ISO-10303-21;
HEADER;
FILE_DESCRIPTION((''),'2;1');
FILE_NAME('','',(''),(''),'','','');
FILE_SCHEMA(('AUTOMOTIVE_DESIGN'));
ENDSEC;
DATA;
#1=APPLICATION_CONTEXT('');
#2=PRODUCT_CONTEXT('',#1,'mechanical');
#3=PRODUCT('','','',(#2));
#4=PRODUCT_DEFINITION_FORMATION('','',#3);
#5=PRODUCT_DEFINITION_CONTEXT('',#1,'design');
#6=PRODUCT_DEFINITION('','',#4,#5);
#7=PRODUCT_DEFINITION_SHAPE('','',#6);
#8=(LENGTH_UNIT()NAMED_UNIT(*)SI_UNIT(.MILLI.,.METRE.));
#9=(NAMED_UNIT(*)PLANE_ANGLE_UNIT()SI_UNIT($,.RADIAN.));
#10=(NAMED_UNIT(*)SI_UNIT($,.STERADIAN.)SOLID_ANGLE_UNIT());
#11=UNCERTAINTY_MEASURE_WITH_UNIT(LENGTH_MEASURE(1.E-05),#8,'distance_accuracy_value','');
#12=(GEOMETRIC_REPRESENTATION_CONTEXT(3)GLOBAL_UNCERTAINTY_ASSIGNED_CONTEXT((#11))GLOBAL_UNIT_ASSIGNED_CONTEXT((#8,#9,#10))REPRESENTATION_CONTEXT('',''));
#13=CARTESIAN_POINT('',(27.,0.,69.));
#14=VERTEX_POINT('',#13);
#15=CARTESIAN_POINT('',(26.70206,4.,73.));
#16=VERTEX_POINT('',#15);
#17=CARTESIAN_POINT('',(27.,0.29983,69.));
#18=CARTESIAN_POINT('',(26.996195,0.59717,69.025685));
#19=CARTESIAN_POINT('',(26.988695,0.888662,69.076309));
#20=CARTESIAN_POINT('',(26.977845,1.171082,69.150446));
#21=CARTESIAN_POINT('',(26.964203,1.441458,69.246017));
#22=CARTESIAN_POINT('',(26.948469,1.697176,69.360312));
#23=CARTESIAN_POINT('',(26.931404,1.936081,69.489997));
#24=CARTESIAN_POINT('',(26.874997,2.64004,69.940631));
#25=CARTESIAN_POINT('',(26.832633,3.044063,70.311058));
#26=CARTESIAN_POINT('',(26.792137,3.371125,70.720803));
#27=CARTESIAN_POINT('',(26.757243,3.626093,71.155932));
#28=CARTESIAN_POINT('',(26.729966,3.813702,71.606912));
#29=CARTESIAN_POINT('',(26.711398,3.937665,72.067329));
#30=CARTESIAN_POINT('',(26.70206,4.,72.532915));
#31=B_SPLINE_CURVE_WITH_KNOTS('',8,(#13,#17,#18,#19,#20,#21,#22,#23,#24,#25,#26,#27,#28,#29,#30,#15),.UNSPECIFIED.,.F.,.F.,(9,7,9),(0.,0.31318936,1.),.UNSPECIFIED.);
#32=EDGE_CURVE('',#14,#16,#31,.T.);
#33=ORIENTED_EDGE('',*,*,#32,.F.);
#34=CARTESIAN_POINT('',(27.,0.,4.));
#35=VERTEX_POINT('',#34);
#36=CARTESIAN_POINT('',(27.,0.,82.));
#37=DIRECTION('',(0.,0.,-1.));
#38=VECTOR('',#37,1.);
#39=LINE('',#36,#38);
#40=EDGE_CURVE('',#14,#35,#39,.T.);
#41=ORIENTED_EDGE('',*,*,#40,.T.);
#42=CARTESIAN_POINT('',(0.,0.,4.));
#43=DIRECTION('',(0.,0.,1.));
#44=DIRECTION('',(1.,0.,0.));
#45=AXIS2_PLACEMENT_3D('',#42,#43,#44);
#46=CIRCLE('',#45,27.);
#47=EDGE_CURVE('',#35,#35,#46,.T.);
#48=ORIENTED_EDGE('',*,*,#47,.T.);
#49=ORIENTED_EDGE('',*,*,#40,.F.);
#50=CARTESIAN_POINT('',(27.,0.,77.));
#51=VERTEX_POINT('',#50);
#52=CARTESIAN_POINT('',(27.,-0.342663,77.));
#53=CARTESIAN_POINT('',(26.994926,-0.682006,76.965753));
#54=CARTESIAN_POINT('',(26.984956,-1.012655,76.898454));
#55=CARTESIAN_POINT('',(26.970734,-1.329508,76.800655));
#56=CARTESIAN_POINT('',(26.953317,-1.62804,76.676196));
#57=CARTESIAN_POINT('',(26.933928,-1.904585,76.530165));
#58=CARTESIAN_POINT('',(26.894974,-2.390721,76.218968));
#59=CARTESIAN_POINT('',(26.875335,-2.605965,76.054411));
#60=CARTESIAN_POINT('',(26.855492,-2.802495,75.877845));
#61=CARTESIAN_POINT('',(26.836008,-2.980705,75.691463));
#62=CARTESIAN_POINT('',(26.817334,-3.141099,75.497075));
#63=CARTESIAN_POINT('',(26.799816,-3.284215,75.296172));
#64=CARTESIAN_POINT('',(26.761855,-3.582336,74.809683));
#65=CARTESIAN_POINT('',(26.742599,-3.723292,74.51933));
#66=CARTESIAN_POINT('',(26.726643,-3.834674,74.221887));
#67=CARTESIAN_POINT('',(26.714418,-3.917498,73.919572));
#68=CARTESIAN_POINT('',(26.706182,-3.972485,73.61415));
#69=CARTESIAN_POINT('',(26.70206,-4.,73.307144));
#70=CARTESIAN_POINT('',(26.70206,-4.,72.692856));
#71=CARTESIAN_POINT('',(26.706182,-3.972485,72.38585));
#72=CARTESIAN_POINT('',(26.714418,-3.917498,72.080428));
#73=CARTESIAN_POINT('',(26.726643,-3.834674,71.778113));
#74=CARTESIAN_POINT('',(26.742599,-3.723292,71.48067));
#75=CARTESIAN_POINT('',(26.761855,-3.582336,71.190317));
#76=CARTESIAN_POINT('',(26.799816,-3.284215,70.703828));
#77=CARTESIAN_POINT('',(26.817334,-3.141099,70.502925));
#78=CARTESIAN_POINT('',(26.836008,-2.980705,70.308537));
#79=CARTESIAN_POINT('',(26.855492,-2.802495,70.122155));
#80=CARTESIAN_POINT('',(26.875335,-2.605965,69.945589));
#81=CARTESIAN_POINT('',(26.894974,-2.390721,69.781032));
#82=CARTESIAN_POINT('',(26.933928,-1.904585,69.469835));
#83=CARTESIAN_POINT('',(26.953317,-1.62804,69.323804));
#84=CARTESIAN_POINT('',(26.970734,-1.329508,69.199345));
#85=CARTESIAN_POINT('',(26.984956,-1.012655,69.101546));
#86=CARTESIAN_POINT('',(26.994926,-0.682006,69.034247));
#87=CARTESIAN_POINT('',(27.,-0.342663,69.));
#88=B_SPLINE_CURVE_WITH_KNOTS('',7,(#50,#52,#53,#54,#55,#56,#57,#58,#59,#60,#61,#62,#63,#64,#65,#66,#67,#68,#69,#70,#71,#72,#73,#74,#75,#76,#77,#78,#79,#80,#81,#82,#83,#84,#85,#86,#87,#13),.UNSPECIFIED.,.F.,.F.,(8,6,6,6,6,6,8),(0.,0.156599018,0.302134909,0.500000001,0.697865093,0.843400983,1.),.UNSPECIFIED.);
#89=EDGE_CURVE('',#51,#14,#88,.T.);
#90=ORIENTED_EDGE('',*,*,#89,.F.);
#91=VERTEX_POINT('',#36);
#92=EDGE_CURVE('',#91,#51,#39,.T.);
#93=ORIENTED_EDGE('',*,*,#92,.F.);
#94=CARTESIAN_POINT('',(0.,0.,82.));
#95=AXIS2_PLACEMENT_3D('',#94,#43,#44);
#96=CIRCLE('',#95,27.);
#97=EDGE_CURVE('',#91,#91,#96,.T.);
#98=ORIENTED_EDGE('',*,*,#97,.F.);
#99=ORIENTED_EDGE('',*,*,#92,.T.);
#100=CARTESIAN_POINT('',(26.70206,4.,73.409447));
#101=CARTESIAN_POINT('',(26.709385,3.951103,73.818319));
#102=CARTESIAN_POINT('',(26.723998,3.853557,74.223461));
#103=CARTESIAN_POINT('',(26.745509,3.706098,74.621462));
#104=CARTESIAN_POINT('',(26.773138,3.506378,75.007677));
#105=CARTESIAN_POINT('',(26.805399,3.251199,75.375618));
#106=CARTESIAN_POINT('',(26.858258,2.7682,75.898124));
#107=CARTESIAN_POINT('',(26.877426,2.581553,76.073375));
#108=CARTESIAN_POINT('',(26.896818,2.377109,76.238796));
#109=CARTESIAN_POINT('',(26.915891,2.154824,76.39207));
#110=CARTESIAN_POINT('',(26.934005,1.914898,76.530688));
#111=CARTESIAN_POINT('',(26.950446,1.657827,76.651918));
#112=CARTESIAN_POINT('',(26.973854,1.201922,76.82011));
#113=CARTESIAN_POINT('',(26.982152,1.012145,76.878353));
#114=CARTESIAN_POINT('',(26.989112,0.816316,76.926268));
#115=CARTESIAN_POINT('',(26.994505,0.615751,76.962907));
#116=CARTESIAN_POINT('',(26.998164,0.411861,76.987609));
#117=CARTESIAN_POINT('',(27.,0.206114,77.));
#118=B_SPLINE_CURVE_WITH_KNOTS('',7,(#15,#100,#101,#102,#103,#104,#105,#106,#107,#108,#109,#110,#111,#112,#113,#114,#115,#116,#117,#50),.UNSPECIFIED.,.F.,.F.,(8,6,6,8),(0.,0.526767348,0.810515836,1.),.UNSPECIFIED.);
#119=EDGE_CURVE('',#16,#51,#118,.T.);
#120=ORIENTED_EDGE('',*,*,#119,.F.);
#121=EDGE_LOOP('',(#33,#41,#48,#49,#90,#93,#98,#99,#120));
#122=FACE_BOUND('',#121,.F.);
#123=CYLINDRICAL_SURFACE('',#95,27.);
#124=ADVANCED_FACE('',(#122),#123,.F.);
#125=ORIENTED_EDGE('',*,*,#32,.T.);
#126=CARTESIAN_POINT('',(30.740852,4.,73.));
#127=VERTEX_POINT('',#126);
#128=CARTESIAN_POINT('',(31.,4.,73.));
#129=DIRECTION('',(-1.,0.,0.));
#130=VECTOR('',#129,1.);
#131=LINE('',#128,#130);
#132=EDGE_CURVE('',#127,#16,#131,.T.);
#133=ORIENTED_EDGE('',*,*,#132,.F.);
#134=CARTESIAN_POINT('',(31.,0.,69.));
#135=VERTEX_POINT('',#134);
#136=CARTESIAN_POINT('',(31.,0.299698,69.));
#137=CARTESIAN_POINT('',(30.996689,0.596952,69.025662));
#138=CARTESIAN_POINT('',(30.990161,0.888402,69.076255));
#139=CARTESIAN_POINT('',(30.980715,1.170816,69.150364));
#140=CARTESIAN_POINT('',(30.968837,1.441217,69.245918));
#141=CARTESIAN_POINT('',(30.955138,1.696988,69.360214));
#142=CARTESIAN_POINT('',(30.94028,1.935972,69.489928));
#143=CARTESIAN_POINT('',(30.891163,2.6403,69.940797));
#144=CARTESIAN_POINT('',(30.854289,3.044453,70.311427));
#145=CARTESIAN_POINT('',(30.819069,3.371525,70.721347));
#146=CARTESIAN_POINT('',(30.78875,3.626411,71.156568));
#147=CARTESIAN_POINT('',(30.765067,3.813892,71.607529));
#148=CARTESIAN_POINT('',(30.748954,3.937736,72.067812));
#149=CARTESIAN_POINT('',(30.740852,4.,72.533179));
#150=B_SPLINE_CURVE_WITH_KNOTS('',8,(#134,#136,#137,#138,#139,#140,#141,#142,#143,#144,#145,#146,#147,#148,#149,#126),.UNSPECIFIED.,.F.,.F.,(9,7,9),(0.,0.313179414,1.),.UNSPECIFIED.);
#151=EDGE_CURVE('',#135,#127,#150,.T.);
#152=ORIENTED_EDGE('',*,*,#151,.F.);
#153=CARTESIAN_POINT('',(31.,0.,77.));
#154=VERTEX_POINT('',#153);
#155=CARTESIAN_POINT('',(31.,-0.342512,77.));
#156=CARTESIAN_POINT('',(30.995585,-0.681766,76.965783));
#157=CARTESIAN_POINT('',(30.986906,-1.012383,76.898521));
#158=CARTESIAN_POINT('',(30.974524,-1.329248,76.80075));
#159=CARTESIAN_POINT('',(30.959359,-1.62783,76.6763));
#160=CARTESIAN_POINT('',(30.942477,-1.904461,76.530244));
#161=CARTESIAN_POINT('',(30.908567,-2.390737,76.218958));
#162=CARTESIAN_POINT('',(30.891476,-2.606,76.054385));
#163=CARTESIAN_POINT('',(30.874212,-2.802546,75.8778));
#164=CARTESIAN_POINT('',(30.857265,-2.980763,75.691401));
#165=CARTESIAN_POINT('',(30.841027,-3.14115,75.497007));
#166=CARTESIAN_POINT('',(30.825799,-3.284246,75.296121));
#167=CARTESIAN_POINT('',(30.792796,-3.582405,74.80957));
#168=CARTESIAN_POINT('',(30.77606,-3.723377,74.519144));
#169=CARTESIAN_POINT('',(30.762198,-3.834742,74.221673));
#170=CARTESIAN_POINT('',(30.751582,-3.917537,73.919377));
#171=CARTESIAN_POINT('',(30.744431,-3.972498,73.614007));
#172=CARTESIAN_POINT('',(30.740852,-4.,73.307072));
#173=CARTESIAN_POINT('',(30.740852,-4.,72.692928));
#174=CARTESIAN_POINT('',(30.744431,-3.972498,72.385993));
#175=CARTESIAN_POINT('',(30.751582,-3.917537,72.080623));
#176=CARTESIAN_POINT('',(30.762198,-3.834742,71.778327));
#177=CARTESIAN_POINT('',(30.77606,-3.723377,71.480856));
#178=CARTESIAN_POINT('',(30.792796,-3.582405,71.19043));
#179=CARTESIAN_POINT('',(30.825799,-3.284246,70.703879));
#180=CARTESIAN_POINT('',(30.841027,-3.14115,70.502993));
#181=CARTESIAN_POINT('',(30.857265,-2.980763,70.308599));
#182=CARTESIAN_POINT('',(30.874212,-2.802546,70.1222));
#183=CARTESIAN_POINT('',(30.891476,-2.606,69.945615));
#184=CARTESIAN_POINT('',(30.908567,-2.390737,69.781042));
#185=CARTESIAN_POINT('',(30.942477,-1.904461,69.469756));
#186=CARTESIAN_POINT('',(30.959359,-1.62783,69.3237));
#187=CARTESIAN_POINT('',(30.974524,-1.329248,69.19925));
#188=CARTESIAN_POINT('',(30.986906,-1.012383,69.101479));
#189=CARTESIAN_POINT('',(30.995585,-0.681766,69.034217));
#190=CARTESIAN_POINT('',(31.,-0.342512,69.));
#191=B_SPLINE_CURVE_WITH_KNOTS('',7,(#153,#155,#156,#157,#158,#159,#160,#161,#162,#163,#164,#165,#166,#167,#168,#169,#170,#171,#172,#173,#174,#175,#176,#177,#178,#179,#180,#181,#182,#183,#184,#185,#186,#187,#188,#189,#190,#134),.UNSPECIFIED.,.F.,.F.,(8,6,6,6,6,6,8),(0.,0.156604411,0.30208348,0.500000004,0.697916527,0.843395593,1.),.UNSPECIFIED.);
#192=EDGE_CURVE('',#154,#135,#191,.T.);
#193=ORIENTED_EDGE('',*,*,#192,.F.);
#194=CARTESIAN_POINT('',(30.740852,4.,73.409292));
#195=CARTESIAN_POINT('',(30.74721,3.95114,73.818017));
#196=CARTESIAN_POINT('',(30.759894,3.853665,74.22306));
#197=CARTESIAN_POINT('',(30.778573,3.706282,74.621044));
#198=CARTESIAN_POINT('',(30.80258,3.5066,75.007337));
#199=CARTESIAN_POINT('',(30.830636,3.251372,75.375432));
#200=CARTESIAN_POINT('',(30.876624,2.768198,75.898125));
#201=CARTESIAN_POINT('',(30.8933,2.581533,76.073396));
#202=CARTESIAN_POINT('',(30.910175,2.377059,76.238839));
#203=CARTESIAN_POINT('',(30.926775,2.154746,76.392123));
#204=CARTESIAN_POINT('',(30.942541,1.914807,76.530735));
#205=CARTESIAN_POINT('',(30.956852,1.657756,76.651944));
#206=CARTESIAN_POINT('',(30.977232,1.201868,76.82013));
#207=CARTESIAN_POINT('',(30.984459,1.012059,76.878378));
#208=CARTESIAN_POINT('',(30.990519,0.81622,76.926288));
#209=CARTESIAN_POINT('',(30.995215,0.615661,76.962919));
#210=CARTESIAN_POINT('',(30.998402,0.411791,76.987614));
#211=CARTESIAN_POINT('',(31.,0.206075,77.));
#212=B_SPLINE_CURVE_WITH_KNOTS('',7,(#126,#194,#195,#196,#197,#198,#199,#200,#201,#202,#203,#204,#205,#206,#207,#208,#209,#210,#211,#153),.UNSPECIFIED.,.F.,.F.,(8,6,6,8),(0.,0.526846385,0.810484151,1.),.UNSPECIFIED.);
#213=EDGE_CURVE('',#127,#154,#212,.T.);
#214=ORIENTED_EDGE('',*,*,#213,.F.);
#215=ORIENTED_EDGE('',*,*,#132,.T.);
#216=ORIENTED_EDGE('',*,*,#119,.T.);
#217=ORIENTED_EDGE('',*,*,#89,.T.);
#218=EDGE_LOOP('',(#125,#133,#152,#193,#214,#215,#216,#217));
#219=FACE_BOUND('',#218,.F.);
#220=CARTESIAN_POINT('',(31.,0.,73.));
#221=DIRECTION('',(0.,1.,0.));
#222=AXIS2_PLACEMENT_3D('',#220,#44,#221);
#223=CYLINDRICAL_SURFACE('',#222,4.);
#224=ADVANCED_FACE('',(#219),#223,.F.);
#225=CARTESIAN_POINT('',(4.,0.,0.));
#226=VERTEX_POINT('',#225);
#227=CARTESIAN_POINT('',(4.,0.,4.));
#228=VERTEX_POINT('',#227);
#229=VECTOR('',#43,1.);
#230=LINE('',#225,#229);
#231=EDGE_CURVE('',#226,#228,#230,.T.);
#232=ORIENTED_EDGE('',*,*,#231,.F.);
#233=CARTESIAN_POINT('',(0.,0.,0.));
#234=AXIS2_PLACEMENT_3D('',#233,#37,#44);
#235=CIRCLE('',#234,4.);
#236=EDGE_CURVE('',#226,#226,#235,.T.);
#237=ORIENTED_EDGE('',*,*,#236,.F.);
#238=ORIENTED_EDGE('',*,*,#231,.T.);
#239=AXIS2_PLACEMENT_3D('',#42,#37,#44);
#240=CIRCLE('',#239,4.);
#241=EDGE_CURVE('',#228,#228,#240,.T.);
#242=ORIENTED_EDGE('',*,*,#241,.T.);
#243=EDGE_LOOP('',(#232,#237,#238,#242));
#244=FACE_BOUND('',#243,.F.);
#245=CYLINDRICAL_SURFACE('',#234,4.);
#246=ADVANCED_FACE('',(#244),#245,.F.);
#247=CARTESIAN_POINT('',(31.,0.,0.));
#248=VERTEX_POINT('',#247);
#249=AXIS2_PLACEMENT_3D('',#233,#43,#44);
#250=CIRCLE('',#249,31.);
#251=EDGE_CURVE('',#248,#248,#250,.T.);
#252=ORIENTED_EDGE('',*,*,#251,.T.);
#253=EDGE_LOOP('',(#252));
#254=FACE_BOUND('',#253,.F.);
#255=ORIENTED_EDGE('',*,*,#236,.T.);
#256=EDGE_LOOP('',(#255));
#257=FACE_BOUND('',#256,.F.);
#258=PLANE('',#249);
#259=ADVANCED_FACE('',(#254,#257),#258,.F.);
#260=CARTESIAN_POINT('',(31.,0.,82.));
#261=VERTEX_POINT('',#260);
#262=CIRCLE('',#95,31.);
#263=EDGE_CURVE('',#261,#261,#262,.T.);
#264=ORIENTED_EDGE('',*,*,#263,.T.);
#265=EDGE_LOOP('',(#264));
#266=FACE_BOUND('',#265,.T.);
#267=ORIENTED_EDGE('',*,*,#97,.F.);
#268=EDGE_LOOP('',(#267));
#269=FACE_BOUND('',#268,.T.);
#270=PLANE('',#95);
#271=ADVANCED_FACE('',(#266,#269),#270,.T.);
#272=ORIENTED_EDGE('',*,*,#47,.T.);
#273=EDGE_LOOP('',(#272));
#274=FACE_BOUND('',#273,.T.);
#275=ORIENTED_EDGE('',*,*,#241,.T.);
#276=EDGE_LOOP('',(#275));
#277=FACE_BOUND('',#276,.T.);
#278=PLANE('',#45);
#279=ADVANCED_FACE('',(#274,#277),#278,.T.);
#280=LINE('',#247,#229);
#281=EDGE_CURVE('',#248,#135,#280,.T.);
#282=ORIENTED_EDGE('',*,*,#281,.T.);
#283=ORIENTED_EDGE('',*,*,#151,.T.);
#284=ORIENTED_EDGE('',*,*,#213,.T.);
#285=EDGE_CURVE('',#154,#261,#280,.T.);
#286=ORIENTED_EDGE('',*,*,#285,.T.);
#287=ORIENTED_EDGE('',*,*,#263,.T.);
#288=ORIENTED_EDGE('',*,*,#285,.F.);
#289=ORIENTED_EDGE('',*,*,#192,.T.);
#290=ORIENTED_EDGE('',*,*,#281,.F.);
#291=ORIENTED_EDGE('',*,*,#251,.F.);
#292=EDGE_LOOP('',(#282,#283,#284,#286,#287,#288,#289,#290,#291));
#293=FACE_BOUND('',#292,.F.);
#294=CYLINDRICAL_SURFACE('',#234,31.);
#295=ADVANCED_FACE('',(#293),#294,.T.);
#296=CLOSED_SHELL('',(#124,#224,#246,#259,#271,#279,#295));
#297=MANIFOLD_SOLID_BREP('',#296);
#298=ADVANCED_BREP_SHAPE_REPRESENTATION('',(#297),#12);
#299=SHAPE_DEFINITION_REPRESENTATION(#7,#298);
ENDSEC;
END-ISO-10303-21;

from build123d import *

# Parameters (mm, degrees)
F0_R     = 31
F1_DEPTH = 82
F2_R     = 27
F3_DEPTH = 78
F4_R     = 4
F5_DEPTH = 4
F7_R     = 4
F8_DEPTH = 4.2989402544


with BuildPart() as f1:
    # F0 (on Top) → F1 (new body)
    with BuildSketch(Plane.XY):
        Circle(F0_R)
    extrude(amount=F1_DEPTH)

    # F2 (on face) → F3 (cut)
    with BuildSketch(Plane.XY.offset(82)):
        Circle(F2_R)
    extrude(amount=-F3_DEPTH, mode=Mode.SUBTRACT)

    # F4 (on face) → F5 (cut, through all)
    with BuildSketch(Plane(origin=(0, 0, 0), x_dir=(1, 0, 0), z_dir=(0, 0, -1))):
        Circle(F4_R)
    extrude(amount=-F5_DEPTH, mode=Mode.SUBTRACT)

    # F7 (on offset) → F8 (cut, through all)
    with BuildSketch(Plane.YZ.offset(31)):
        with Locations((0, 73)):
            Circle(F7_R)
    extrude(amount=-F8_DEPTH, mode=Mode.SUBTRACT)


solid = f1.part
